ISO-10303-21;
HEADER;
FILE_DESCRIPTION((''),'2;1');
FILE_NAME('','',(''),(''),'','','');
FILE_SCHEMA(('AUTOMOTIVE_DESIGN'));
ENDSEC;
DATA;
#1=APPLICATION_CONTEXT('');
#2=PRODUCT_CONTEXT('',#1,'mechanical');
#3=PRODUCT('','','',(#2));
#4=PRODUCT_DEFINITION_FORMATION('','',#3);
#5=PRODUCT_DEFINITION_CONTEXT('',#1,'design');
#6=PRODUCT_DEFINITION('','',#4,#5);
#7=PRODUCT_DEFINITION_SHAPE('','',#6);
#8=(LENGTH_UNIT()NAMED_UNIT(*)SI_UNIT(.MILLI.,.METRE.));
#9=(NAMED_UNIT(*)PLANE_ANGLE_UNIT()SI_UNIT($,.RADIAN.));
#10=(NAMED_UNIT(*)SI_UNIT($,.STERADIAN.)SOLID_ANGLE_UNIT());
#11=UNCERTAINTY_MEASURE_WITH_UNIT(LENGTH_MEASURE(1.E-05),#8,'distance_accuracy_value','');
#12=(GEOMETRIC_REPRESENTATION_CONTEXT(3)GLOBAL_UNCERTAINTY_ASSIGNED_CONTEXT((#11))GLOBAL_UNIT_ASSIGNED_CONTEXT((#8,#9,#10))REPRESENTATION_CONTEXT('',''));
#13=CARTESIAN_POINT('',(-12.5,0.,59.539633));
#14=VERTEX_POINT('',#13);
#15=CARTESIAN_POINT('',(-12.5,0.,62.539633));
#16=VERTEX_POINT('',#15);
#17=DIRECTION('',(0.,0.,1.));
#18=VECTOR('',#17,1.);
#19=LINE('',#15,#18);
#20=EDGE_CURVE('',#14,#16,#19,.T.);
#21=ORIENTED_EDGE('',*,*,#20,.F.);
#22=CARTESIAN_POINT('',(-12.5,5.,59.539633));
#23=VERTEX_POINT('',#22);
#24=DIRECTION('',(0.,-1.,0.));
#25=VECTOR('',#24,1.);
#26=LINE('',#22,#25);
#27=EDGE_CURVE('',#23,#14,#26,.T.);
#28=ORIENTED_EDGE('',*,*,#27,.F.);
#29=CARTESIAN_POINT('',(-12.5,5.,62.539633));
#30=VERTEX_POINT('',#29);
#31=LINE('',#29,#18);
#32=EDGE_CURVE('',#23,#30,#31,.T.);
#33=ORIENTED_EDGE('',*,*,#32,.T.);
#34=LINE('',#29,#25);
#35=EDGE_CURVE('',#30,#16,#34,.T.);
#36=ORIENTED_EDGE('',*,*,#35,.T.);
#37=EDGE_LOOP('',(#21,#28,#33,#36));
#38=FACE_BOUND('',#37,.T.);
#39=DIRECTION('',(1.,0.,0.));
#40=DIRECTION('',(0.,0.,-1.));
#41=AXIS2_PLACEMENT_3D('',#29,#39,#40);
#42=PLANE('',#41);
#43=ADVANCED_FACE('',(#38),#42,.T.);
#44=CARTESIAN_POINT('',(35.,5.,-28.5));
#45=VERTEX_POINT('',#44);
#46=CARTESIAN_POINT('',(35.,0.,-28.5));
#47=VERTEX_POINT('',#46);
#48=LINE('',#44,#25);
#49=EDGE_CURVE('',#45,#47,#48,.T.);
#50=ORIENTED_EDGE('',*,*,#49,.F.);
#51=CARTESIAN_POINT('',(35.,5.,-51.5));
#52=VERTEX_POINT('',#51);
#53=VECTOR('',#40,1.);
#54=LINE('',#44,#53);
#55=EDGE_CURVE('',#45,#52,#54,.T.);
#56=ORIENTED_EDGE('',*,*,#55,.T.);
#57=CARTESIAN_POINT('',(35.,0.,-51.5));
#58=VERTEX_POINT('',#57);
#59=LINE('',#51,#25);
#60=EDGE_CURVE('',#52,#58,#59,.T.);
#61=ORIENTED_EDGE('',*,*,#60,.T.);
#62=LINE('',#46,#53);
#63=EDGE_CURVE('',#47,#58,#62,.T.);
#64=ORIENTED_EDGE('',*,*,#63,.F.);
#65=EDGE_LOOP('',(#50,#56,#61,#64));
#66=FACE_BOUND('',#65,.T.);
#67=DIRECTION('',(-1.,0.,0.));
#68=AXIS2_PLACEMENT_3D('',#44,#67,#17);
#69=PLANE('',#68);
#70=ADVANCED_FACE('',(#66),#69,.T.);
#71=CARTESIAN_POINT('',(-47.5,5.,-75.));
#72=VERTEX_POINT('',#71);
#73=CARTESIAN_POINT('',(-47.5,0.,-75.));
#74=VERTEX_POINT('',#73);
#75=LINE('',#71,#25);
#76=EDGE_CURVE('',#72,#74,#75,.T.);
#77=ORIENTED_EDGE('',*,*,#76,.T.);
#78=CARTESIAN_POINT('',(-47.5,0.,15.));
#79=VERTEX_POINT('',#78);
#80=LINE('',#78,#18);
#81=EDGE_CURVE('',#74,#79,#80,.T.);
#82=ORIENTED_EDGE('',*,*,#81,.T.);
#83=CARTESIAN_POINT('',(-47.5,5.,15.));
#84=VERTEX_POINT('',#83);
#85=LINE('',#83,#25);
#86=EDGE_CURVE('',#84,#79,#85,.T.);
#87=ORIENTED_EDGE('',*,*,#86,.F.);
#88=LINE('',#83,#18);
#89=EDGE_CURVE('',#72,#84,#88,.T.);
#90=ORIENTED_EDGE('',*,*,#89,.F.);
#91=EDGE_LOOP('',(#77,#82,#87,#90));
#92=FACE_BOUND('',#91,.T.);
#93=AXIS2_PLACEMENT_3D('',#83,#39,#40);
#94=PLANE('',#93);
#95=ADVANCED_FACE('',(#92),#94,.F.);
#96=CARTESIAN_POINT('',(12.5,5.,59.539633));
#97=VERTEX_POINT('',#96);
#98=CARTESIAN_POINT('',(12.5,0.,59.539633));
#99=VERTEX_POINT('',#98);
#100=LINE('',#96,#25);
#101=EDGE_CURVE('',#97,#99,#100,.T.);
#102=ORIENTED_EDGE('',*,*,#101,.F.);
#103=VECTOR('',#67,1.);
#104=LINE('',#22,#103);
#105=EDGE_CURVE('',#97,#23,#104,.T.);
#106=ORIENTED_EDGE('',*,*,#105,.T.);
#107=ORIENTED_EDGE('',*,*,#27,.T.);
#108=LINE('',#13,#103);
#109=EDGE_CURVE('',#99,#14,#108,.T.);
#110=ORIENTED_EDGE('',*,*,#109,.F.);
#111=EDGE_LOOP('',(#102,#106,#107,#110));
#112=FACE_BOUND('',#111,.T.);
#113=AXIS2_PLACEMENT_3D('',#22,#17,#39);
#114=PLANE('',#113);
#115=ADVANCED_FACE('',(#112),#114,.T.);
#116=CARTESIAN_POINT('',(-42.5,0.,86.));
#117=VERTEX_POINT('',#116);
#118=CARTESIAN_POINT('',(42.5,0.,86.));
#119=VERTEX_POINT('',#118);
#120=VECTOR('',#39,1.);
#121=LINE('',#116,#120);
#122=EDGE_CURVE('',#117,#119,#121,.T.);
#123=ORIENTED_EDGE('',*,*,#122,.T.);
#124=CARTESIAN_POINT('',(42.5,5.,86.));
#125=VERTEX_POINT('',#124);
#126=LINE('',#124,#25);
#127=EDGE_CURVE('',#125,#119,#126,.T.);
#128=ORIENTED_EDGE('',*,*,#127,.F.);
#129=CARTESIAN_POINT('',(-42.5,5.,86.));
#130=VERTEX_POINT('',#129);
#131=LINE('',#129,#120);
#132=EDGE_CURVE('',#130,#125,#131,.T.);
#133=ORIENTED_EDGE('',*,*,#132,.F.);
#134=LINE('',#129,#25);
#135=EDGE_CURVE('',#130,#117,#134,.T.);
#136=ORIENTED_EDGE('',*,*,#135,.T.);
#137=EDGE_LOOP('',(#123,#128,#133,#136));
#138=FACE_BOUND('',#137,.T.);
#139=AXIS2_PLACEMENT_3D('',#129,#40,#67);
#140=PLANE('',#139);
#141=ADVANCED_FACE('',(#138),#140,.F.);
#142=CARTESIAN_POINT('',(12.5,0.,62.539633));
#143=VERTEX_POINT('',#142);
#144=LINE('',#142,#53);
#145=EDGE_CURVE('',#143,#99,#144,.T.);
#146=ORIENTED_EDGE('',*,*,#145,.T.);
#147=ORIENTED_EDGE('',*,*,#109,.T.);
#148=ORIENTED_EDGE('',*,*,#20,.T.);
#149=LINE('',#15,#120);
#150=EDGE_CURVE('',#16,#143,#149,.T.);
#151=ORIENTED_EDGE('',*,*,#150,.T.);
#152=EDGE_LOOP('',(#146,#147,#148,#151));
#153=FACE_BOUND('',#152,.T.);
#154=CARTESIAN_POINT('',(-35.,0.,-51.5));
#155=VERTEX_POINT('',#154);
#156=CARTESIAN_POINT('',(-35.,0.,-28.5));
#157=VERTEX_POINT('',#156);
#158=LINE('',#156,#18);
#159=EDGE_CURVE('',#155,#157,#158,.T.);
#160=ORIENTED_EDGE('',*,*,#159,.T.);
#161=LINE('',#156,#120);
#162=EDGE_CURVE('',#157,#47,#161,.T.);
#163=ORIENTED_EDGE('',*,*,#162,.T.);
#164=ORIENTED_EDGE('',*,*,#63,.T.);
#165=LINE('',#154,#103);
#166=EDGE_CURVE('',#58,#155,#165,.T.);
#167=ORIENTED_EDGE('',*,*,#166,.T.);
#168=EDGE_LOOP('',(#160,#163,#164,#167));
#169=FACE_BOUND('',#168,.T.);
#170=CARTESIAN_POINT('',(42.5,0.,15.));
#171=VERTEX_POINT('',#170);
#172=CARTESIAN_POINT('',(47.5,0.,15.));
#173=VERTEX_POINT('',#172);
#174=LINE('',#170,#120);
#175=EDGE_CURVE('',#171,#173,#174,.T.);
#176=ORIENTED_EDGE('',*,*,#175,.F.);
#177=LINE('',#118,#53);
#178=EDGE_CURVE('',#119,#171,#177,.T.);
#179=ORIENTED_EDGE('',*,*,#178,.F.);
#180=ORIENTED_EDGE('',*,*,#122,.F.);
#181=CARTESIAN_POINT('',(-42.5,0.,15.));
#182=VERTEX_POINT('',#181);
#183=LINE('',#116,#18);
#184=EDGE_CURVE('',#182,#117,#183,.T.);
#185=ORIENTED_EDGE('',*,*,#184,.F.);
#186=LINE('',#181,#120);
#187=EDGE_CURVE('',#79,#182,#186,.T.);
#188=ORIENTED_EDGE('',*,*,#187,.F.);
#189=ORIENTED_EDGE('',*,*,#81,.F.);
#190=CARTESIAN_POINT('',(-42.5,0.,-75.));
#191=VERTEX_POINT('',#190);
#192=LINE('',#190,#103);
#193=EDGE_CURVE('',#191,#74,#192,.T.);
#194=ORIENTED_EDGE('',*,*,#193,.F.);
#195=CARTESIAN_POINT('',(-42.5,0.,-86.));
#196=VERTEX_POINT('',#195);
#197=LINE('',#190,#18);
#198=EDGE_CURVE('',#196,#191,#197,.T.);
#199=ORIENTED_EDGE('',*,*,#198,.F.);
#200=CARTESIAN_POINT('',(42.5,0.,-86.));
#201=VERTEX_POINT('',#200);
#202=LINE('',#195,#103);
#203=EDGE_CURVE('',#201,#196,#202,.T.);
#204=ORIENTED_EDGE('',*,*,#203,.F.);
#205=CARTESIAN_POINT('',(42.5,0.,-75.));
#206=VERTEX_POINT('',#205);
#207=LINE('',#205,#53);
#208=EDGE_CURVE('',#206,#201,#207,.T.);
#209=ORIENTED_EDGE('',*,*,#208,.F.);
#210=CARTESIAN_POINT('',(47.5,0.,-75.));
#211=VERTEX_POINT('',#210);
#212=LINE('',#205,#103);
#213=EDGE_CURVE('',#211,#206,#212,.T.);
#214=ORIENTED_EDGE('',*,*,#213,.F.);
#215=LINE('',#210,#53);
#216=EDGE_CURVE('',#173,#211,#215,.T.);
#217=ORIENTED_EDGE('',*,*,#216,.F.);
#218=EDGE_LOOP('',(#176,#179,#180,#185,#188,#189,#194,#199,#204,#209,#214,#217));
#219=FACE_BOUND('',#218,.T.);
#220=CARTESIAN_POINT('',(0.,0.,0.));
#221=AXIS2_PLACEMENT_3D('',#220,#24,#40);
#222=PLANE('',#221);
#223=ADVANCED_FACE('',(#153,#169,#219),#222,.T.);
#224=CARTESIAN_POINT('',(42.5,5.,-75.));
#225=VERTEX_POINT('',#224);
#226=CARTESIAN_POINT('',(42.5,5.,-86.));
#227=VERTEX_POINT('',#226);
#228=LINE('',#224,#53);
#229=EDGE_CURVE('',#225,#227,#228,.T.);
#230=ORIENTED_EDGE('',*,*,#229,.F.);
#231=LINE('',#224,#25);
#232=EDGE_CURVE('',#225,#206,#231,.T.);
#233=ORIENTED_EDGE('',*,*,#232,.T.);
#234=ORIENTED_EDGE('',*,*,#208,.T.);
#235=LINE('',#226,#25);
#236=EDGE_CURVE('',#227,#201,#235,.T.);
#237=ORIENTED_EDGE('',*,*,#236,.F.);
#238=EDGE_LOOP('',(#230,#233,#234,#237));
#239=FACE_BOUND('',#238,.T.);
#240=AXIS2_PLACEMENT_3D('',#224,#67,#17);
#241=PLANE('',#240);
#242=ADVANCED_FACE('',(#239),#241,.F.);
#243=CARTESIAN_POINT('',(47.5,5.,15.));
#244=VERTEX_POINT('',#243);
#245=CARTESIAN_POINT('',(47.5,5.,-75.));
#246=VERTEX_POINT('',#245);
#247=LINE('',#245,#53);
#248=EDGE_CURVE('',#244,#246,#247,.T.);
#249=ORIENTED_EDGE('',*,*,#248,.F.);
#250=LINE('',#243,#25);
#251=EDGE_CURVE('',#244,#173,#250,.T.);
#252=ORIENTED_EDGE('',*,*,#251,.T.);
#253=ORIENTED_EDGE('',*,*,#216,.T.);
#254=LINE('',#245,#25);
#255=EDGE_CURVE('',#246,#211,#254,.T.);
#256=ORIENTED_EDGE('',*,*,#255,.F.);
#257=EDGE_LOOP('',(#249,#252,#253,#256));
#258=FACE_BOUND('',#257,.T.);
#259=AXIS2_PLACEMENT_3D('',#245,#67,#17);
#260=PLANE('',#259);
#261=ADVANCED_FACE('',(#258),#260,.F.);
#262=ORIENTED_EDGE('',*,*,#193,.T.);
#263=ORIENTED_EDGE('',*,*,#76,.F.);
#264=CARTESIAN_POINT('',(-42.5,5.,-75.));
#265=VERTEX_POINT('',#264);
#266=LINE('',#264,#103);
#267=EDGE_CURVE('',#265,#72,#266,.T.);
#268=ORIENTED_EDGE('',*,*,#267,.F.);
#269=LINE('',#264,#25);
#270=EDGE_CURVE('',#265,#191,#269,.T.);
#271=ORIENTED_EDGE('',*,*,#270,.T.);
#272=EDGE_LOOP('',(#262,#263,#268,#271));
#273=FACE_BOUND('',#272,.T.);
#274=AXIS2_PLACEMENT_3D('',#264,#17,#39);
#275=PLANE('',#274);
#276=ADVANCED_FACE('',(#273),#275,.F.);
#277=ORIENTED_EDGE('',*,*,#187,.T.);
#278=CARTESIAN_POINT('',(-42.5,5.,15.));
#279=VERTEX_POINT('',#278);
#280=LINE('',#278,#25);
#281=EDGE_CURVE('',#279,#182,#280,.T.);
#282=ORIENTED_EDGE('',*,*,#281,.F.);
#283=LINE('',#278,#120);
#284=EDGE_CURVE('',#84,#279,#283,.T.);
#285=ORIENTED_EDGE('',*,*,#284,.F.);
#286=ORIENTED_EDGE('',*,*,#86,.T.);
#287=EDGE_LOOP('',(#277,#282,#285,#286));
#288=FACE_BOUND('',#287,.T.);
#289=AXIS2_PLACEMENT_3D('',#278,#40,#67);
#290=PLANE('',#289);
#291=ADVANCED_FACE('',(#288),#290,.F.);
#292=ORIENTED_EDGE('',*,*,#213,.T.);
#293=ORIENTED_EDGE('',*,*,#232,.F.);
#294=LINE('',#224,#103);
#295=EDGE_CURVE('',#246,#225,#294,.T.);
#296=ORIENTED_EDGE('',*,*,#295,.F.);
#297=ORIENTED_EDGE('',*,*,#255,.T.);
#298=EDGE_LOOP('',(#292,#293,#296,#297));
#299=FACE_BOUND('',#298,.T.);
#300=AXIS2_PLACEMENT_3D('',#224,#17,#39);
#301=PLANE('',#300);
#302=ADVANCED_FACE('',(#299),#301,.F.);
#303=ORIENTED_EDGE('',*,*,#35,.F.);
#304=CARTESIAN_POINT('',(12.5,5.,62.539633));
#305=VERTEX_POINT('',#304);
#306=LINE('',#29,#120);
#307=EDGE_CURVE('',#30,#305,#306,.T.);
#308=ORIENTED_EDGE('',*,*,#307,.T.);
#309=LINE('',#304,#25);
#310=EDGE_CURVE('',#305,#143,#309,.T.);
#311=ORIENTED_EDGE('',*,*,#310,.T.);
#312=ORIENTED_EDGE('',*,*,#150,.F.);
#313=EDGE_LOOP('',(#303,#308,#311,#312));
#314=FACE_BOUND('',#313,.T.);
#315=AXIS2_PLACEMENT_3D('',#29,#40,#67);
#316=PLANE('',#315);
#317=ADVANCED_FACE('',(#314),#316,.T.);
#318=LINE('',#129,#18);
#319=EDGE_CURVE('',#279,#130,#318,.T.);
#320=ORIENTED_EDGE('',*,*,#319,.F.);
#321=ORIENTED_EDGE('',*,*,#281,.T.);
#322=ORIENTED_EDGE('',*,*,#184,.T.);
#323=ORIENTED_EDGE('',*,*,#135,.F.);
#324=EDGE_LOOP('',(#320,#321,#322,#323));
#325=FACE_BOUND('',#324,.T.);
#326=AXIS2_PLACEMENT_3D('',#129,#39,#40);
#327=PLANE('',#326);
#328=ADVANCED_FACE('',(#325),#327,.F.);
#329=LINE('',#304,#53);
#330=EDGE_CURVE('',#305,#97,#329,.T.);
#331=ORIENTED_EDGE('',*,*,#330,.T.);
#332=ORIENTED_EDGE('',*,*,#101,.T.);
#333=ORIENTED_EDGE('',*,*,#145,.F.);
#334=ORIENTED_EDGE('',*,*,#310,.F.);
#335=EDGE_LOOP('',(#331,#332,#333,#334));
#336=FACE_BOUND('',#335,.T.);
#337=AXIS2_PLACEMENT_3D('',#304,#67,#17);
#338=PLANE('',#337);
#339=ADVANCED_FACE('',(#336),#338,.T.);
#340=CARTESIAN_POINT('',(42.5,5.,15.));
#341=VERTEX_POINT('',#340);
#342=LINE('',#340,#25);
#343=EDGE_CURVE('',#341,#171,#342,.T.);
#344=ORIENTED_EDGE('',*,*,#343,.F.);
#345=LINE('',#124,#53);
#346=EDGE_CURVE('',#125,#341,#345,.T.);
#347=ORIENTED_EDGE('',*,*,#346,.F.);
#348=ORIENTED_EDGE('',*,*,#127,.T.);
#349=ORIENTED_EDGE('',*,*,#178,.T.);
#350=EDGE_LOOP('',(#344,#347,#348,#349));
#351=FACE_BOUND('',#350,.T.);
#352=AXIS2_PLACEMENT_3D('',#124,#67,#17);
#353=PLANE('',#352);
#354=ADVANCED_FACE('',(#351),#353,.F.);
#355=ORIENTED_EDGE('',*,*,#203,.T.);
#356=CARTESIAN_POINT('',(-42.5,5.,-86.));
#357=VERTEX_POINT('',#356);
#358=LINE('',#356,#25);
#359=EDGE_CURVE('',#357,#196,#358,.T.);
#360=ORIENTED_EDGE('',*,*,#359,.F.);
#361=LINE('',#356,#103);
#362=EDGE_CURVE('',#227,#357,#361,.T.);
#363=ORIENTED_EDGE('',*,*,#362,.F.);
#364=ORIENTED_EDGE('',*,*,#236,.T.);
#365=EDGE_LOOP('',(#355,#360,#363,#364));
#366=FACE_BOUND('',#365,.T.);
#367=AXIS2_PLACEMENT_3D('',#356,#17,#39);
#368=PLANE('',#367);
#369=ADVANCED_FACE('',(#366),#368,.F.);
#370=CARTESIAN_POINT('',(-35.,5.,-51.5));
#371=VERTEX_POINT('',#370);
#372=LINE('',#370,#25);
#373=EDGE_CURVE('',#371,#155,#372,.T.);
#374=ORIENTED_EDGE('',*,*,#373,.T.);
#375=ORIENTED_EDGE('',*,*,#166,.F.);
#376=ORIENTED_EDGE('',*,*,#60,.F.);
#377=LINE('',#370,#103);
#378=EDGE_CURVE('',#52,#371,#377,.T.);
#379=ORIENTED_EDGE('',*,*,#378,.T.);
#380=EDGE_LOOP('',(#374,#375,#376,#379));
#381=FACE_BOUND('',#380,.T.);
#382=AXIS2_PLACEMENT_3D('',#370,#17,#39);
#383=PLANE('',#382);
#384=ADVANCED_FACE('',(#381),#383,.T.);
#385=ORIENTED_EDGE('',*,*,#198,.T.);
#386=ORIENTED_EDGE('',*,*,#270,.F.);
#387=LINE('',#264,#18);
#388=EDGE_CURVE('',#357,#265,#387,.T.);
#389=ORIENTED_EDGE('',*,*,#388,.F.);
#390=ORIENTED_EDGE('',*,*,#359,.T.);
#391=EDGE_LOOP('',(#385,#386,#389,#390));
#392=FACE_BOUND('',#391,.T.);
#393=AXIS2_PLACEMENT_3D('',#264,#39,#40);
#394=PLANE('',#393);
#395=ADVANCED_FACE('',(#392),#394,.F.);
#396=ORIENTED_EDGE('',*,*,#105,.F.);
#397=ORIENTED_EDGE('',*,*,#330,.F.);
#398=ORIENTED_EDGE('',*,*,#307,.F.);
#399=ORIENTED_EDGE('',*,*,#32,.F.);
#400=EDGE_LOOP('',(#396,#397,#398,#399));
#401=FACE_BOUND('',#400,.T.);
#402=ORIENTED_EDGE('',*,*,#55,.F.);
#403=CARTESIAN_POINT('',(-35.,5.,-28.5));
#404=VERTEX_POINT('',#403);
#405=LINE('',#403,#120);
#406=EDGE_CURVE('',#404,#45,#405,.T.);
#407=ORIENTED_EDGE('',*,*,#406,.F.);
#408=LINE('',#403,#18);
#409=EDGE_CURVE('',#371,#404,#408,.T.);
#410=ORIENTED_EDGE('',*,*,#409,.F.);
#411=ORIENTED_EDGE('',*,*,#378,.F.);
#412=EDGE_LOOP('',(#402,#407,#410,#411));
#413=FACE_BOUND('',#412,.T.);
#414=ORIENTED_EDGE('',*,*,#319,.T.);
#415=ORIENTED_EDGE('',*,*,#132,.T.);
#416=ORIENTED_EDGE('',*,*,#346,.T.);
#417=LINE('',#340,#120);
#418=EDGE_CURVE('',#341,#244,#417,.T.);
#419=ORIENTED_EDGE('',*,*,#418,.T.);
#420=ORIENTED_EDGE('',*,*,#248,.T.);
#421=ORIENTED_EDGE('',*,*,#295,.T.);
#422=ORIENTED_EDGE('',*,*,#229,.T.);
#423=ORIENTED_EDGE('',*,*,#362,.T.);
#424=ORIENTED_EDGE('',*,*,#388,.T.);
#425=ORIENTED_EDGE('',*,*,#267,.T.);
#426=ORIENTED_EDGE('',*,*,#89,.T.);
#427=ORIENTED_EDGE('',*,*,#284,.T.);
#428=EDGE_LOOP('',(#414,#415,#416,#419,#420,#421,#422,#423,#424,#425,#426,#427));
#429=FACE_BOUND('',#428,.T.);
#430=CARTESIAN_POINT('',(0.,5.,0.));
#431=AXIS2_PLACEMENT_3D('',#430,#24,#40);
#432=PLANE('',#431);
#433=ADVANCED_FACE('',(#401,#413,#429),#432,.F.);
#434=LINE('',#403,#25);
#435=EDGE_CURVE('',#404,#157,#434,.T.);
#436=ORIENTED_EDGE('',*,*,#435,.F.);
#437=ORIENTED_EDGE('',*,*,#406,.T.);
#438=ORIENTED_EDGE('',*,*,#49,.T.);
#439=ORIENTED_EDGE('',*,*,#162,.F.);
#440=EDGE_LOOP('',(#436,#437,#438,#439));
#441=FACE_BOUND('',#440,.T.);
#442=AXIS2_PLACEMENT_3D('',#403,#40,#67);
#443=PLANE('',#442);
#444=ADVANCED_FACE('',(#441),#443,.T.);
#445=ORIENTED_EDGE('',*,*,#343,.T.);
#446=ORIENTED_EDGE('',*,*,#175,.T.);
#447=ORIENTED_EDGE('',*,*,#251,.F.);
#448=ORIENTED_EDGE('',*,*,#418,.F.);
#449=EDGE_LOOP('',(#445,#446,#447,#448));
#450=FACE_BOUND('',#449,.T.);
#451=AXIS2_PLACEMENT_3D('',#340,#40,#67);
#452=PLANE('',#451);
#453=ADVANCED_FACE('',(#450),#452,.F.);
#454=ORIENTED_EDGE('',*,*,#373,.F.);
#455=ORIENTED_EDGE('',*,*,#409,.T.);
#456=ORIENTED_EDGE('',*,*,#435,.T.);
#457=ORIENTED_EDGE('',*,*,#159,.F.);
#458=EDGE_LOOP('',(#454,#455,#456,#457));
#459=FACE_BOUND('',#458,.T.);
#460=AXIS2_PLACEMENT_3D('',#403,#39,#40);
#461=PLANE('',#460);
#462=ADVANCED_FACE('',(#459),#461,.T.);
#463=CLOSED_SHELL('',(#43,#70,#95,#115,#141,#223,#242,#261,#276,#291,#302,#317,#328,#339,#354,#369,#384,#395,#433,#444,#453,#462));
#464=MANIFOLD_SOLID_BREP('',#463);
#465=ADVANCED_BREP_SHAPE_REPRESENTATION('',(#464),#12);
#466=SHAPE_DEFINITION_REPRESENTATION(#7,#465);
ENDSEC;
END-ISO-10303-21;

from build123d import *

# Parameters (mm, degrees)
CROQUIS1_W              = 25
CROQUIS1_H              = 3
CROQUIS1_W_2            = 70
CROQUIS1_H_2            = 23
SALIENTE_EXTRUIR1_DEPTH = 5


with BuildPart() as part:
    # Croquis1 → Saliente-Extruir1 (new body)
    with BuildSketch(Plane(origin=(0, 0, 0), x_dir=(1, 0, 0), z_dir=(0, 1, 0))):
        Polygon((-42.5, -86), (42.5, -86), (42.5, -15), (47.5, -15), (47.5, 75), (42.5, 75), (42.5, 86), (-42.5, 86), (-42.5, 75), (-47.5, 75), (-47.5, -15), (-42.5, -15), align=None)
        with Locations((0, -61.039633263)):
            Rectangle(CROQUIS1_W, CROQUIS1_H, mode=Mode.SUBTRACT)
        with Locations((0, 40)):
            Rectangle(CROQUIS1_W_2, CROQUIS1_H_2, mode=Mode.SUBTRACT)
    extrude(amount=SALIENTE_EXTRUIR1_DEPTH)


solid = part.part
